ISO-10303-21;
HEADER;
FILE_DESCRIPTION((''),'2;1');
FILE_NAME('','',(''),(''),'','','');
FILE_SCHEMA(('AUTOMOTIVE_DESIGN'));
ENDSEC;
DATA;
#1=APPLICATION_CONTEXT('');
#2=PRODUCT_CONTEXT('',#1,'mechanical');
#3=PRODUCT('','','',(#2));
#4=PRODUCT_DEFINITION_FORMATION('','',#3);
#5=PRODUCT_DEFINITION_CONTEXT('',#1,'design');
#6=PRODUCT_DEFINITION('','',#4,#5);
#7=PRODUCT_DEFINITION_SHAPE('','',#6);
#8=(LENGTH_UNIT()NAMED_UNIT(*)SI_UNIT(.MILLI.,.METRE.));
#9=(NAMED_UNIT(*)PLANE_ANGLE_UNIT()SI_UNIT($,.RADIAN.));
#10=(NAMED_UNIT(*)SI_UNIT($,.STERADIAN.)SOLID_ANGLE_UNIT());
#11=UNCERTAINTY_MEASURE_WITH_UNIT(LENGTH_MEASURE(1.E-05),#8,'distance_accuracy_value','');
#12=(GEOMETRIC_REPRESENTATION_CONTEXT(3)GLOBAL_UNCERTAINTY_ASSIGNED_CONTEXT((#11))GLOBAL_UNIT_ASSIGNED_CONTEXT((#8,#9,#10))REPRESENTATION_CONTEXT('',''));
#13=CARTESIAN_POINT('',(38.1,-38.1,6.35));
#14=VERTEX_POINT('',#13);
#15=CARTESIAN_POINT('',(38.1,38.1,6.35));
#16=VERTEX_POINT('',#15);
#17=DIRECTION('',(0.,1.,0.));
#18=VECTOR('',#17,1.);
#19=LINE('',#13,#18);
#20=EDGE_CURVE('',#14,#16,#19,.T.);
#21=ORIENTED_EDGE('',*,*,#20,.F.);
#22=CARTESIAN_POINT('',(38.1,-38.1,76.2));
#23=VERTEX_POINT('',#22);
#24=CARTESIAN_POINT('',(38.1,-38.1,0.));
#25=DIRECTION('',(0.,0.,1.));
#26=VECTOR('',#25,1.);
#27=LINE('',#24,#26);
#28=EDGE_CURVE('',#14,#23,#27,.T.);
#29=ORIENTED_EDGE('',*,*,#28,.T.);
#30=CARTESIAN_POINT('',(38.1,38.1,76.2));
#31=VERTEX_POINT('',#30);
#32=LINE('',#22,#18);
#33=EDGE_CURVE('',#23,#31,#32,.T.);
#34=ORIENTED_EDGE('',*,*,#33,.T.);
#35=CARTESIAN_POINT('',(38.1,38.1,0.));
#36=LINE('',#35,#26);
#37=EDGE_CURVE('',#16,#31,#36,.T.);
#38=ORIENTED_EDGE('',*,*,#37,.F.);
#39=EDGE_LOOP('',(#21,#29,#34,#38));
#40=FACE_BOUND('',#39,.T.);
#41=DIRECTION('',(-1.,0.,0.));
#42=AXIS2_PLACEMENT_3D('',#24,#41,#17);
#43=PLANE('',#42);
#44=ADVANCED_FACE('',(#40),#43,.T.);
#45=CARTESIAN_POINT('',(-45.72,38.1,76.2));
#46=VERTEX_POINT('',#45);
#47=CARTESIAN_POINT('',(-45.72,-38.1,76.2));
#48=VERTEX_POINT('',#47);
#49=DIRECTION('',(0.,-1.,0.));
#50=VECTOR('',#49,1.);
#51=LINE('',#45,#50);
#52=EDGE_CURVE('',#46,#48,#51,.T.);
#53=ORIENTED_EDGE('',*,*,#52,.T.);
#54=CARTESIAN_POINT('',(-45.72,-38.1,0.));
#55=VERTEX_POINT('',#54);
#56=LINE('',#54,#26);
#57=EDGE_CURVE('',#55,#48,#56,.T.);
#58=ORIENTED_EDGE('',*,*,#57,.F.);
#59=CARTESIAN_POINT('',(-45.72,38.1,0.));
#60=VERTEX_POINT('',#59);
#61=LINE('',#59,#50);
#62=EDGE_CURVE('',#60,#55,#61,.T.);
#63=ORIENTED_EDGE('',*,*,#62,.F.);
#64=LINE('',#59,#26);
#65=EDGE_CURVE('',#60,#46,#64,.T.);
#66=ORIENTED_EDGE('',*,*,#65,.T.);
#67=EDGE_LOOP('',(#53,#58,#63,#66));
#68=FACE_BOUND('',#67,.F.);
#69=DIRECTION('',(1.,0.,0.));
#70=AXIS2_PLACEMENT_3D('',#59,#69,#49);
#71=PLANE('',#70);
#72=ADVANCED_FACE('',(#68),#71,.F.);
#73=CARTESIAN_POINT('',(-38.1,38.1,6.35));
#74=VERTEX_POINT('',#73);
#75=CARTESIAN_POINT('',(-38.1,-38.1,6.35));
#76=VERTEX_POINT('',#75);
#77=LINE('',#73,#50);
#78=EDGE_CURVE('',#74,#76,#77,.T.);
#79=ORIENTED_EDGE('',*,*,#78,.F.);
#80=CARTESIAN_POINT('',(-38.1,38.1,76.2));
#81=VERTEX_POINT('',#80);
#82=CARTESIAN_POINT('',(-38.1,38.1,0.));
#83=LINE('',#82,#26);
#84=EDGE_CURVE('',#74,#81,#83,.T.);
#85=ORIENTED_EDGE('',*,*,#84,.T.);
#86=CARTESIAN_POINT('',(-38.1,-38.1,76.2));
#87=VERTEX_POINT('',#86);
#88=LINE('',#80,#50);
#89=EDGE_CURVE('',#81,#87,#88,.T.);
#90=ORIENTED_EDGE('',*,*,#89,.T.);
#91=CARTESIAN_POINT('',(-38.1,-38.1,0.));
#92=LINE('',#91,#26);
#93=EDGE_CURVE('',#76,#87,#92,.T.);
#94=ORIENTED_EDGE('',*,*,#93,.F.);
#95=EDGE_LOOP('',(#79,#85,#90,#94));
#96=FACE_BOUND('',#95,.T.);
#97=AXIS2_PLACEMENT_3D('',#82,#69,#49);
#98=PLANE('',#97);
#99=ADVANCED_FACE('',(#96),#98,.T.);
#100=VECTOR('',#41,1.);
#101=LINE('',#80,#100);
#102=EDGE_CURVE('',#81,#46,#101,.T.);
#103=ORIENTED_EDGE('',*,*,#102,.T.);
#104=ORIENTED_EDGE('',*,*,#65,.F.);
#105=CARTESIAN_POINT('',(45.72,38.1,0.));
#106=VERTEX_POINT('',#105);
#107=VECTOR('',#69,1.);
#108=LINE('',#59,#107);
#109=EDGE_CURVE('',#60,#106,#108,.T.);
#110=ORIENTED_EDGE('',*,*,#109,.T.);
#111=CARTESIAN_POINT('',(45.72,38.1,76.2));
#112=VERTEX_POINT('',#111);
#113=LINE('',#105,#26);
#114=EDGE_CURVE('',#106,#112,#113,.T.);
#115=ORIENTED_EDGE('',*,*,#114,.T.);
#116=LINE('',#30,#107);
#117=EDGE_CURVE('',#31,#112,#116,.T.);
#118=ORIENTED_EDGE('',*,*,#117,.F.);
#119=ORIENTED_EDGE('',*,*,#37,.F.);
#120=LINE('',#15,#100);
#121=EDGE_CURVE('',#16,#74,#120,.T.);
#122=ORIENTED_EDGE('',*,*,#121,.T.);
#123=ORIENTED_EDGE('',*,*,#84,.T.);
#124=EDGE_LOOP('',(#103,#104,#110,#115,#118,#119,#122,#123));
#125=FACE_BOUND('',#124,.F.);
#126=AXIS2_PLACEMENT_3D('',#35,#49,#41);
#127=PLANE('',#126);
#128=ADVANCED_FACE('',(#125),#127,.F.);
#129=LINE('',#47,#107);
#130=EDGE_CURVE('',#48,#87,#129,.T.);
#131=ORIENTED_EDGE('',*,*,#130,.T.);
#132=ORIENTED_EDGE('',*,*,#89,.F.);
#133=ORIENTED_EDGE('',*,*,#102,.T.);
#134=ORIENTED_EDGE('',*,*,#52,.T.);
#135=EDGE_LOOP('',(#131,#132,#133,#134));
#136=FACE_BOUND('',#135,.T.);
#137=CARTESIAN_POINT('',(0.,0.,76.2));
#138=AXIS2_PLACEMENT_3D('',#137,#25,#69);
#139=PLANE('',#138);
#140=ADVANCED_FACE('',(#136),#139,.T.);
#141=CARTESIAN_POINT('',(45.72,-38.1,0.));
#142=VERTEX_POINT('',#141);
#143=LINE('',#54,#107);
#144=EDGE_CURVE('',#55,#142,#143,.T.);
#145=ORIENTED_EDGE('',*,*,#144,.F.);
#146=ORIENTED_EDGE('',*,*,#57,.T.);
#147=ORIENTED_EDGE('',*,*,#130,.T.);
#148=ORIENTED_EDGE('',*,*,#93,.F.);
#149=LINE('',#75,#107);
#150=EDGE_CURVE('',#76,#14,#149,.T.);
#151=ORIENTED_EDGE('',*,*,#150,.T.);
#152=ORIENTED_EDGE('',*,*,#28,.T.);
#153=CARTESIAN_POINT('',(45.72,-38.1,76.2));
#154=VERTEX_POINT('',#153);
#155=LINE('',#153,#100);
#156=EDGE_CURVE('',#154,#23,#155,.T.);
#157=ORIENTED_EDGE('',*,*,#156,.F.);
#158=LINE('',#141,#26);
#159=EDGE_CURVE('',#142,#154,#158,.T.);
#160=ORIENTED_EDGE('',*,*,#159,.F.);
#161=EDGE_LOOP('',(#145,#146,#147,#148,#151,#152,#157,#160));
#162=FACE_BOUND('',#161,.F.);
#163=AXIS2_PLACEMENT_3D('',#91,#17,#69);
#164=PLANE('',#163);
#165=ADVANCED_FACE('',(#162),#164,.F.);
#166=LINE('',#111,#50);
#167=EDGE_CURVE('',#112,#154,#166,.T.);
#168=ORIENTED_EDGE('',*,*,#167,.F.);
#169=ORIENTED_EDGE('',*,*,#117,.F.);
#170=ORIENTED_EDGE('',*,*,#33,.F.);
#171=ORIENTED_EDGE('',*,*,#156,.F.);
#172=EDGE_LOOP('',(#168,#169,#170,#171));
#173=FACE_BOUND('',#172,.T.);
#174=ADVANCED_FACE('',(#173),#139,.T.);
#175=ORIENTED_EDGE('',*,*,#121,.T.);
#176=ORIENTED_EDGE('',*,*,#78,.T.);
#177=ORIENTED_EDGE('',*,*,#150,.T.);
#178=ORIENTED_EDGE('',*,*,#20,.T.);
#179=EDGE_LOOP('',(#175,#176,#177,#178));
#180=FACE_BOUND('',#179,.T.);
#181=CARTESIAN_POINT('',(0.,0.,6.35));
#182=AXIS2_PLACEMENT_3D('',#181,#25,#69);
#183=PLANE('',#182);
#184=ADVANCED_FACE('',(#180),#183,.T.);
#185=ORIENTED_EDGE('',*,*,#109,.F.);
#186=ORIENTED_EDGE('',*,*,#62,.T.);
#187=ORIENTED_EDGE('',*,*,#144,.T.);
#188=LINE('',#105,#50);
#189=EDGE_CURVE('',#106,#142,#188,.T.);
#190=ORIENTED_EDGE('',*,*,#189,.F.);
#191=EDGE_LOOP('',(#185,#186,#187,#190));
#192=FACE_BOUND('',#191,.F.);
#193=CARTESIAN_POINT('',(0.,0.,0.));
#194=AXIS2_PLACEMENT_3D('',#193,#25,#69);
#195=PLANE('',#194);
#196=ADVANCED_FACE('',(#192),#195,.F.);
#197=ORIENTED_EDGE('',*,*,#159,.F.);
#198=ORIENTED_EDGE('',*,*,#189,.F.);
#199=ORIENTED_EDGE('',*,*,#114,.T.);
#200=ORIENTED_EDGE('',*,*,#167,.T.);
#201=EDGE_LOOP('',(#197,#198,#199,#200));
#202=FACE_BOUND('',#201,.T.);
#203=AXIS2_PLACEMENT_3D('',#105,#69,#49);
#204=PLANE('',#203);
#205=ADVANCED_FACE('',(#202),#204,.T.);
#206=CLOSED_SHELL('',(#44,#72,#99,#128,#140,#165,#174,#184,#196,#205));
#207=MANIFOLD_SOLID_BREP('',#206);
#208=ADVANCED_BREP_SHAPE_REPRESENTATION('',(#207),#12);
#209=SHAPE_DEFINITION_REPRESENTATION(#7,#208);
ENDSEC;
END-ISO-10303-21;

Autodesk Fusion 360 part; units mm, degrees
sketch "Sketch1" plane through (0, 0, 0) normal (0, 0, 1) x (1, 0, 0)
  line L0 (38.1, 38.1) -> (-38.1, 38.1)
  line L1 (-38.1, 38.1) -> (-38.1, -38.1)
  line L2 (-38.1, -38.1) -> (38.1, -38.1)
  line L3 (38.1, -38.1) -> (38.1, 38.1)
  line L4 (38.1, 38.1) -> (-38.1, -38.1) construction
  line L5 (-38.1, 38.1) -> (38.1, -38.1) construction
  line L6 (-38.1, 38.1) -> (-45.72, 38.1)
  line L7 (-45.72, 38.1) -> (-45.72, -38.1)
  line L8 (-45.72, -38.1) -> (-38.1, -38.1)
  line L9 (-38.1, -38.1) -> (-38.1, 38.1)
  line L10 (38.1, 38.1) -> (45.72, 38.1)
  line L11 (45.72, 38.1) -> (45.72, -38.1)
  line L12 (45.72, -38.1) -> (38.1, -38.1)
  line L13 (38.1, -38.1) -> (38.1, 38.1)
  dimension "d1" = 76.2
  dimension "d2" = 76.2
  dimension "d3" = 7.62
extrude "Extrude1" add sketch "Sketch1" along normal blind 6.35 contours L0 L1 L2 L3 L9 L13
sketch "Sketch2" plane through (0, 0, 0) normal (0, 0, 1) x (1, 0, 0)
extrude "Extrude2" add sketch "Sketch1" along normal blind 76.2 contours L3 L10 L11 L12 L13 | L1 L6 L7 L8 L9
